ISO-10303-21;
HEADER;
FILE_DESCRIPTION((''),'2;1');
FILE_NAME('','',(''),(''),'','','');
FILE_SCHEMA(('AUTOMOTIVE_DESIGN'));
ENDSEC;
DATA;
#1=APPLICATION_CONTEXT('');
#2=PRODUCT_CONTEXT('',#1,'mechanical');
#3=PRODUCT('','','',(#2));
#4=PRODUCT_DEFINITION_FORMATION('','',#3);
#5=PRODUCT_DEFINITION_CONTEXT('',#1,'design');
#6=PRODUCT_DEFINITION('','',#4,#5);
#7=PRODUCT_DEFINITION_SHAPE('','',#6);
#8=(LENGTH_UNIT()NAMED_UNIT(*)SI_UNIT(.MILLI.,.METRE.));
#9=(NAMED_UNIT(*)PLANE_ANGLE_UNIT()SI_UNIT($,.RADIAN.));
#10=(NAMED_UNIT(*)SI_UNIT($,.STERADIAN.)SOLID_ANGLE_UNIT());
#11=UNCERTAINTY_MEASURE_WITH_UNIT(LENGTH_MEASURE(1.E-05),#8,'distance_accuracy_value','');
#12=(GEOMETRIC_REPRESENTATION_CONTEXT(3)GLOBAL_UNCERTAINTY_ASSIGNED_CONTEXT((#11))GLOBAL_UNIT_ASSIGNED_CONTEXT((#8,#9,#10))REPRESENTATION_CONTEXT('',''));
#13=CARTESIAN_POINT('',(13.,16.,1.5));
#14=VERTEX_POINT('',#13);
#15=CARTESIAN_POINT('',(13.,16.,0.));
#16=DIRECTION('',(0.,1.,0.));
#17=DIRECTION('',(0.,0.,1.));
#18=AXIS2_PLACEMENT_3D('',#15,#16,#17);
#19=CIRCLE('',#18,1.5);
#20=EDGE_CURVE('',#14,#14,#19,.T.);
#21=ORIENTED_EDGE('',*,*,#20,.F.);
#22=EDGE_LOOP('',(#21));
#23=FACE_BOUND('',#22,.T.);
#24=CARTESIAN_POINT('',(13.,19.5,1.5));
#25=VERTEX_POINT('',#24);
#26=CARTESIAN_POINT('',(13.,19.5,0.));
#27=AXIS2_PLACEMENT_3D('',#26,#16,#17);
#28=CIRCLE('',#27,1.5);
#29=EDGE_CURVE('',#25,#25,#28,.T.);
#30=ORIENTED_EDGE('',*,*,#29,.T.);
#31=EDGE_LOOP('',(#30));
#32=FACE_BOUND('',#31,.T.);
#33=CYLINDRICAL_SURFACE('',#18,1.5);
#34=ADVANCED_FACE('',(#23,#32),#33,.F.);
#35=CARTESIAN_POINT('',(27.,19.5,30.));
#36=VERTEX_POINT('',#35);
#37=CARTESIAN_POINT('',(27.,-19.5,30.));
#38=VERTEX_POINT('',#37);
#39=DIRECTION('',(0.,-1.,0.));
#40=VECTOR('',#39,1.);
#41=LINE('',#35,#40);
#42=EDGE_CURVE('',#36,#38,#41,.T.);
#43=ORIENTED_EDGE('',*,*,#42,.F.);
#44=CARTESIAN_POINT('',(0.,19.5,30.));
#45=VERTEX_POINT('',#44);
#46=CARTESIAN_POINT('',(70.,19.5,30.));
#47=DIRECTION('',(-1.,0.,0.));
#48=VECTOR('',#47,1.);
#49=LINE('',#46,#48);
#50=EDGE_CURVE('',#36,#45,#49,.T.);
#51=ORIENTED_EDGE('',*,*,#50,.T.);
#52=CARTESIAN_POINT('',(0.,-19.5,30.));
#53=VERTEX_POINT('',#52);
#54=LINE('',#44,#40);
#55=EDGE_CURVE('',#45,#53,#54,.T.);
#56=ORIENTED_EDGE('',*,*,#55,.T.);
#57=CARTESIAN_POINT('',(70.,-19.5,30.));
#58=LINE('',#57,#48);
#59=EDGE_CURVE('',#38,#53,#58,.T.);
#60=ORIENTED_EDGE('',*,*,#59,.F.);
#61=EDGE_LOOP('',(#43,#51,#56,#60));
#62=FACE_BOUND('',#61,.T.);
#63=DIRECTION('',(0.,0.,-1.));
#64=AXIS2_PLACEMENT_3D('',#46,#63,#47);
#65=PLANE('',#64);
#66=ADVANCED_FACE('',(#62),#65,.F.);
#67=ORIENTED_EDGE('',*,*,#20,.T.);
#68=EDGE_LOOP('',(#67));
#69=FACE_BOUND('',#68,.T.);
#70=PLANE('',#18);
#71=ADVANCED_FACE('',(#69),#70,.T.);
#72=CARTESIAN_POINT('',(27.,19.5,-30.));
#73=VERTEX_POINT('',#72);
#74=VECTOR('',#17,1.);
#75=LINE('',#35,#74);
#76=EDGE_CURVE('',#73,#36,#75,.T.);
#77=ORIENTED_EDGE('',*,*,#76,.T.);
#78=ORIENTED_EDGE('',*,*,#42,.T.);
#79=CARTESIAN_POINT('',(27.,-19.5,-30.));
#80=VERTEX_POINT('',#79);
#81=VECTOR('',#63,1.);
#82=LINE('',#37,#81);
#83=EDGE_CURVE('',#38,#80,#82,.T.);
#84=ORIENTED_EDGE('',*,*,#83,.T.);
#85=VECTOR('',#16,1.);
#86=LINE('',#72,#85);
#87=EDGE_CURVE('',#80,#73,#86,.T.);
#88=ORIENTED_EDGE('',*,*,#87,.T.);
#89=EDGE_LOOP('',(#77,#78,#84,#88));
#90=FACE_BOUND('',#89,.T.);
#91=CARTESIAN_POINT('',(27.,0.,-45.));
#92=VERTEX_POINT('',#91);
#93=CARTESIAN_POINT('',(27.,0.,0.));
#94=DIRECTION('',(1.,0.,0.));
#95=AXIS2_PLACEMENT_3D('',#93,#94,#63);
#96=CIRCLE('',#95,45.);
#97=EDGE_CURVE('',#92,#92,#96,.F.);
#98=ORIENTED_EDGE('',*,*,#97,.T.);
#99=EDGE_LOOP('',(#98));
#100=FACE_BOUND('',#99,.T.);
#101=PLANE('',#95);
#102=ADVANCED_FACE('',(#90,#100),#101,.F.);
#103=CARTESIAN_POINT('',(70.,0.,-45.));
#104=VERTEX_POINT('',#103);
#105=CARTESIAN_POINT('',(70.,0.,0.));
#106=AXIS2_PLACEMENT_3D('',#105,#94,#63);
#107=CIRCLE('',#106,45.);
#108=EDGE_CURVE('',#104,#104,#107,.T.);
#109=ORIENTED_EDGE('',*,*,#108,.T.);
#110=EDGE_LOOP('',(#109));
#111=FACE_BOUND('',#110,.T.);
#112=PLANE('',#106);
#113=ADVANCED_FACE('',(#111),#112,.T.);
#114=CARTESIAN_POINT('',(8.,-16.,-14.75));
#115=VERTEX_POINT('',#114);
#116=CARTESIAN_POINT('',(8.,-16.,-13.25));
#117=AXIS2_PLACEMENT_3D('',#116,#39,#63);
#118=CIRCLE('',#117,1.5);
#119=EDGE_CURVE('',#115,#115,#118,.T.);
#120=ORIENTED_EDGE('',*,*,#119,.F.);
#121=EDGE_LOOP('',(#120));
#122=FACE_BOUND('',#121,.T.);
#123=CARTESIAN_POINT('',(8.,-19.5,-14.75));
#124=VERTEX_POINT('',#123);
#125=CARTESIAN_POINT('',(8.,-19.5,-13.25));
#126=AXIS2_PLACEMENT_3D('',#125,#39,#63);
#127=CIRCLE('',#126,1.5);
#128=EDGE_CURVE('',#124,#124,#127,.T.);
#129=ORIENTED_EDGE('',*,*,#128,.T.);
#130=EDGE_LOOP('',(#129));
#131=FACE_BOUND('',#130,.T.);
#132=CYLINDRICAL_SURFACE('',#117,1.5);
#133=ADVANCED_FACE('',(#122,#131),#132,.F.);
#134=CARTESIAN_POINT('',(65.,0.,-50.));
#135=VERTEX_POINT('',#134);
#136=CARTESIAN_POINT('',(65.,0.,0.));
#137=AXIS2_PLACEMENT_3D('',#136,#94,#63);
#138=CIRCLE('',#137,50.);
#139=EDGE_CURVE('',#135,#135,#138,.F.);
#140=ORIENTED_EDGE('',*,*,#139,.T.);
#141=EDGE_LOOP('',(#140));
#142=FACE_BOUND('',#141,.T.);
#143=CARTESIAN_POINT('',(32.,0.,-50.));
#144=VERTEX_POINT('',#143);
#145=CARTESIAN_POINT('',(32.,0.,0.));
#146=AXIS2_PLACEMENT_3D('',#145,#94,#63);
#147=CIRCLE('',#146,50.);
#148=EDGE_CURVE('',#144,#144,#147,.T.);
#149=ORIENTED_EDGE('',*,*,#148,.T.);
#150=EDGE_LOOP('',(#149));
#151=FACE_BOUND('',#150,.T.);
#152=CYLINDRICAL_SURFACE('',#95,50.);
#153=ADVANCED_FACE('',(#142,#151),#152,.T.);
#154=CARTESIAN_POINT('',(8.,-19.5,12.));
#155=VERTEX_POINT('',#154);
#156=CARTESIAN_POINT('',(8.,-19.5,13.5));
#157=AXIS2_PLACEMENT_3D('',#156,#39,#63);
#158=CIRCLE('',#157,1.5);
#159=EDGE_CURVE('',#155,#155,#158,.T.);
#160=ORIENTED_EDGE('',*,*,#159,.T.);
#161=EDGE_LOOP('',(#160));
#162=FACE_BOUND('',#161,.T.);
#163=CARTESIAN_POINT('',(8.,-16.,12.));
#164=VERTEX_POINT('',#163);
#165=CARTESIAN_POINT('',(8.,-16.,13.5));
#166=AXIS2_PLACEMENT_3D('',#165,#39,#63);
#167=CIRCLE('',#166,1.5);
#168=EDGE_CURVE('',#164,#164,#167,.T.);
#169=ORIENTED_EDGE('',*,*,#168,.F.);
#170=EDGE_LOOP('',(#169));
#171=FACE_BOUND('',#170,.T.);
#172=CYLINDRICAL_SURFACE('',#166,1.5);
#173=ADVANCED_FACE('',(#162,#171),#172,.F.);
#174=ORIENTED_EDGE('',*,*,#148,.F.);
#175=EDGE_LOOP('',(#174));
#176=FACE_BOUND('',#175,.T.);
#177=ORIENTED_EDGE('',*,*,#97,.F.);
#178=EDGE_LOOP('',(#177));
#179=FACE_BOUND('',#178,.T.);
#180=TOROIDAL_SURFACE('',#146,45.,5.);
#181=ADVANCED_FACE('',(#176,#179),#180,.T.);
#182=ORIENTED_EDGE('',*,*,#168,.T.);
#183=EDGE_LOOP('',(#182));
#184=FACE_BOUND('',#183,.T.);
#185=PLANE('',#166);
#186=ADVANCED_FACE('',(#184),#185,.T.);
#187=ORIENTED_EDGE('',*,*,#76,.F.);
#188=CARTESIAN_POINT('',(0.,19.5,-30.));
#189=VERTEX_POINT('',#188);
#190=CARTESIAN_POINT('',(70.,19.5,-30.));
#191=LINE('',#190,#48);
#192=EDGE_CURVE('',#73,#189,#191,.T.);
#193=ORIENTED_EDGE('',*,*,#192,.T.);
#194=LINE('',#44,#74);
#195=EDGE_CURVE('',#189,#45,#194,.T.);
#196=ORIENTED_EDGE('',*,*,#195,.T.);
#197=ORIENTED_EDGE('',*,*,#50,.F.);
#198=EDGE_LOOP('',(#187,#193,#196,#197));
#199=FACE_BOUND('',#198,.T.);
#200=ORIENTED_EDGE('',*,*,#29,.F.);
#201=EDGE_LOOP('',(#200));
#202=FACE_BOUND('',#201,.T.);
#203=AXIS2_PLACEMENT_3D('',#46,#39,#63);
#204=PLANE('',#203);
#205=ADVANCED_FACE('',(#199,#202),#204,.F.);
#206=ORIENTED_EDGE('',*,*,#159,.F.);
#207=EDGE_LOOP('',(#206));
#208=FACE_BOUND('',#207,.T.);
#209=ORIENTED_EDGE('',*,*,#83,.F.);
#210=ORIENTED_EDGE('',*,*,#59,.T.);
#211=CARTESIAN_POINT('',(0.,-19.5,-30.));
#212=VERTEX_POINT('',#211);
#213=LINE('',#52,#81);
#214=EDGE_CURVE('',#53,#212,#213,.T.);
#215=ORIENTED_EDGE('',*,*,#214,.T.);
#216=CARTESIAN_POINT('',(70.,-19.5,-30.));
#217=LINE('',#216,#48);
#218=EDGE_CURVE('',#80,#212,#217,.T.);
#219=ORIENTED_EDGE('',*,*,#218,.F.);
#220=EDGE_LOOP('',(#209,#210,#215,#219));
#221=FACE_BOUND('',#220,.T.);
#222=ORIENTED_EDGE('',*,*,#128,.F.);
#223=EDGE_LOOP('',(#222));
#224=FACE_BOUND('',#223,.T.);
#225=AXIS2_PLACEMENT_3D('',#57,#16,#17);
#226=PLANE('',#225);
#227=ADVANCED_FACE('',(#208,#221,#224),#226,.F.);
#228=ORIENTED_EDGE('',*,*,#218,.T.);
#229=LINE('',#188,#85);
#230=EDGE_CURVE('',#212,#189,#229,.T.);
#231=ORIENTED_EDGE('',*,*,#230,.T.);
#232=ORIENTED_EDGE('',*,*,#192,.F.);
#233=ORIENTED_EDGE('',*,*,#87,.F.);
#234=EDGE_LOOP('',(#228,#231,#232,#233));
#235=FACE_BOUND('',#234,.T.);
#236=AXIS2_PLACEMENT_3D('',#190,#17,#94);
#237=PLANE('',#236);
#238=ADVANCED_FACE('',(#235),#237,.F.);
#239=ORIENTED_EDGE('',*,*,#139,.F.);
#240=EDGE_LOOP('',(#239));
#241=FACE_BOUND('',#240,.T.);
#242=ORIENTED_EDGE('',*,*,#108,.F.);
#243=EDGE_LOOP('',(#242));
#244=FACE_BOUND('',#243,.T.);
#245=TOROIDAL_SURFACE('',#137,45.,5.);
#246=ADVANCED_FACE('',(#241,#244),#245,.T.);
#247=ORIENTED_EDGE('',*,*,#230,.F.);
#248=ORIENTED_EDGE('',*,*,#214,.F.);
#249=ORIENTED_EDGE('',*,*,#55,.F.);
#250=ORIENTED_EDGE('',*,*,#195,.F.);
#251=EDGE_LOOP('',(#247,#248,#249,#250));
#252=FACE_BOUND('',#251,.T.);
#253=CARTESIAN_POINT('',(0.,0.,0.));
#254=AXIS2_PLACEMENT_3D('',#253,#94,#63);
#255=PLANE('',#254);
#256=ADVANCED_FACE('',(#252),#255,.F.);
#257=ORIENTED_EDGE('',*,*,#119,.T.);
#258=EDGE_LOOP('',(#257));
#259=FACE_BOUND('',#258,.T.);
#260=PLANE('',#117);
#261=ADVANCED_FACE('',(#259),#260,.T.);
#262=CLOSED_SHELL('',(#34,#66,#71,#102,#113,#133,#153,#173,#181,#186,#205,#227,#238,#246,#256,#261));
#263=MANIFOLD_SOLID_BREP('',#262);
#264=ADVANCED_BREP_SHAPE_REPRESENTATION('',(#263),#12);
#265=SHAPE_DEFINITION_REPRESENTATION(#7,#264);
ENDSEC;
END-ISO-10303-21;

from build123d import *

# Parameters (mm, degrees)
SKETCH_2_W          = 60
SKETCH_2_H          = 39
EXTRUDE_1_DEPTH     = 70
SKETCH_3_R          = 50
EXTRUDE_2_DEPTH     = 43
FILLET_1_R          = 5
FILLET_2_R          = 5
SKETCH_4_R          = 1.5
CUT_EXTRUDE_1_DEPTH = 3.5
SKETCH_5_R          = 1.5
CUT_EXTRUDE_2_DEPTH = 3.5


with BuildPart() as part:
    # 草图2 → 凸台-拉伸1 (new body)
    with BuildSketch(Plane(origin=(0, 0, 0), x_dir=(0, 0, -1), z_dir=(1, 0, 0))):
        Rectangle(SKETCH_2_W, SKETCH_2_H)
    extrude(amount=EXTRUDE_1_DEPTH)

    # 草图3 → 凸台-拉伸2 (add)
    with BuildSketch(Plane(origin=(70, 0, 0), x_dir=(0, 0, -1), z_dir=(1, 0, 0))):
        Circle(SKETCH_3_R)
    extrude(amount=-EXTRUDE_2_DEPTH)

    # 圆角1
    fillet_1_edges = [part.edges().sort_by_distance(p)[0] for p in [
        (70, 0, 50),
    ]]
    fillet(fillet_1_edges, radius=FILLET_1_R)

    # 圆角2
    fillet_2_edges = [part.edges().sort_by_distance(p)[0] for p in [
        (27, 0, 50),
    ]]
    fillet(fillet_2_edges, radius=FILLET_2_R)

    # 草图4 → 切除-拉伸1 (cut)
    with BuildSketch(Plane(origin=(0, 19.5, 0), x_dir=(1, 0, 0), z_dir=(0, 1, 0))):
        with Locations(Location((13, 0, 0), (0, 0, 270))):
            Circle(SKETCH_4_R)
    extrude(amount=-CUT_EXTRUDE_1_DEPTH, mode=Mode.SUBTRACT)

    # 草图5 → 切除-拉伸2 (cut)
    with BuildSketch(Plane.XZ.offset(19.5)):
        with Locations(Location((8, 13.5, 0), (0, 0, 270))):
            Circle(SKETCH_5_R)
        with Locations(Location((8, -13.25, 0), (0, 0, 270))):
            Circle(SKETCH_5_R)
    extrude(amount=-CUT_EXTRUDE_2_DEPTH, mode=Mode.SUBTRACT)


solid = part.part
